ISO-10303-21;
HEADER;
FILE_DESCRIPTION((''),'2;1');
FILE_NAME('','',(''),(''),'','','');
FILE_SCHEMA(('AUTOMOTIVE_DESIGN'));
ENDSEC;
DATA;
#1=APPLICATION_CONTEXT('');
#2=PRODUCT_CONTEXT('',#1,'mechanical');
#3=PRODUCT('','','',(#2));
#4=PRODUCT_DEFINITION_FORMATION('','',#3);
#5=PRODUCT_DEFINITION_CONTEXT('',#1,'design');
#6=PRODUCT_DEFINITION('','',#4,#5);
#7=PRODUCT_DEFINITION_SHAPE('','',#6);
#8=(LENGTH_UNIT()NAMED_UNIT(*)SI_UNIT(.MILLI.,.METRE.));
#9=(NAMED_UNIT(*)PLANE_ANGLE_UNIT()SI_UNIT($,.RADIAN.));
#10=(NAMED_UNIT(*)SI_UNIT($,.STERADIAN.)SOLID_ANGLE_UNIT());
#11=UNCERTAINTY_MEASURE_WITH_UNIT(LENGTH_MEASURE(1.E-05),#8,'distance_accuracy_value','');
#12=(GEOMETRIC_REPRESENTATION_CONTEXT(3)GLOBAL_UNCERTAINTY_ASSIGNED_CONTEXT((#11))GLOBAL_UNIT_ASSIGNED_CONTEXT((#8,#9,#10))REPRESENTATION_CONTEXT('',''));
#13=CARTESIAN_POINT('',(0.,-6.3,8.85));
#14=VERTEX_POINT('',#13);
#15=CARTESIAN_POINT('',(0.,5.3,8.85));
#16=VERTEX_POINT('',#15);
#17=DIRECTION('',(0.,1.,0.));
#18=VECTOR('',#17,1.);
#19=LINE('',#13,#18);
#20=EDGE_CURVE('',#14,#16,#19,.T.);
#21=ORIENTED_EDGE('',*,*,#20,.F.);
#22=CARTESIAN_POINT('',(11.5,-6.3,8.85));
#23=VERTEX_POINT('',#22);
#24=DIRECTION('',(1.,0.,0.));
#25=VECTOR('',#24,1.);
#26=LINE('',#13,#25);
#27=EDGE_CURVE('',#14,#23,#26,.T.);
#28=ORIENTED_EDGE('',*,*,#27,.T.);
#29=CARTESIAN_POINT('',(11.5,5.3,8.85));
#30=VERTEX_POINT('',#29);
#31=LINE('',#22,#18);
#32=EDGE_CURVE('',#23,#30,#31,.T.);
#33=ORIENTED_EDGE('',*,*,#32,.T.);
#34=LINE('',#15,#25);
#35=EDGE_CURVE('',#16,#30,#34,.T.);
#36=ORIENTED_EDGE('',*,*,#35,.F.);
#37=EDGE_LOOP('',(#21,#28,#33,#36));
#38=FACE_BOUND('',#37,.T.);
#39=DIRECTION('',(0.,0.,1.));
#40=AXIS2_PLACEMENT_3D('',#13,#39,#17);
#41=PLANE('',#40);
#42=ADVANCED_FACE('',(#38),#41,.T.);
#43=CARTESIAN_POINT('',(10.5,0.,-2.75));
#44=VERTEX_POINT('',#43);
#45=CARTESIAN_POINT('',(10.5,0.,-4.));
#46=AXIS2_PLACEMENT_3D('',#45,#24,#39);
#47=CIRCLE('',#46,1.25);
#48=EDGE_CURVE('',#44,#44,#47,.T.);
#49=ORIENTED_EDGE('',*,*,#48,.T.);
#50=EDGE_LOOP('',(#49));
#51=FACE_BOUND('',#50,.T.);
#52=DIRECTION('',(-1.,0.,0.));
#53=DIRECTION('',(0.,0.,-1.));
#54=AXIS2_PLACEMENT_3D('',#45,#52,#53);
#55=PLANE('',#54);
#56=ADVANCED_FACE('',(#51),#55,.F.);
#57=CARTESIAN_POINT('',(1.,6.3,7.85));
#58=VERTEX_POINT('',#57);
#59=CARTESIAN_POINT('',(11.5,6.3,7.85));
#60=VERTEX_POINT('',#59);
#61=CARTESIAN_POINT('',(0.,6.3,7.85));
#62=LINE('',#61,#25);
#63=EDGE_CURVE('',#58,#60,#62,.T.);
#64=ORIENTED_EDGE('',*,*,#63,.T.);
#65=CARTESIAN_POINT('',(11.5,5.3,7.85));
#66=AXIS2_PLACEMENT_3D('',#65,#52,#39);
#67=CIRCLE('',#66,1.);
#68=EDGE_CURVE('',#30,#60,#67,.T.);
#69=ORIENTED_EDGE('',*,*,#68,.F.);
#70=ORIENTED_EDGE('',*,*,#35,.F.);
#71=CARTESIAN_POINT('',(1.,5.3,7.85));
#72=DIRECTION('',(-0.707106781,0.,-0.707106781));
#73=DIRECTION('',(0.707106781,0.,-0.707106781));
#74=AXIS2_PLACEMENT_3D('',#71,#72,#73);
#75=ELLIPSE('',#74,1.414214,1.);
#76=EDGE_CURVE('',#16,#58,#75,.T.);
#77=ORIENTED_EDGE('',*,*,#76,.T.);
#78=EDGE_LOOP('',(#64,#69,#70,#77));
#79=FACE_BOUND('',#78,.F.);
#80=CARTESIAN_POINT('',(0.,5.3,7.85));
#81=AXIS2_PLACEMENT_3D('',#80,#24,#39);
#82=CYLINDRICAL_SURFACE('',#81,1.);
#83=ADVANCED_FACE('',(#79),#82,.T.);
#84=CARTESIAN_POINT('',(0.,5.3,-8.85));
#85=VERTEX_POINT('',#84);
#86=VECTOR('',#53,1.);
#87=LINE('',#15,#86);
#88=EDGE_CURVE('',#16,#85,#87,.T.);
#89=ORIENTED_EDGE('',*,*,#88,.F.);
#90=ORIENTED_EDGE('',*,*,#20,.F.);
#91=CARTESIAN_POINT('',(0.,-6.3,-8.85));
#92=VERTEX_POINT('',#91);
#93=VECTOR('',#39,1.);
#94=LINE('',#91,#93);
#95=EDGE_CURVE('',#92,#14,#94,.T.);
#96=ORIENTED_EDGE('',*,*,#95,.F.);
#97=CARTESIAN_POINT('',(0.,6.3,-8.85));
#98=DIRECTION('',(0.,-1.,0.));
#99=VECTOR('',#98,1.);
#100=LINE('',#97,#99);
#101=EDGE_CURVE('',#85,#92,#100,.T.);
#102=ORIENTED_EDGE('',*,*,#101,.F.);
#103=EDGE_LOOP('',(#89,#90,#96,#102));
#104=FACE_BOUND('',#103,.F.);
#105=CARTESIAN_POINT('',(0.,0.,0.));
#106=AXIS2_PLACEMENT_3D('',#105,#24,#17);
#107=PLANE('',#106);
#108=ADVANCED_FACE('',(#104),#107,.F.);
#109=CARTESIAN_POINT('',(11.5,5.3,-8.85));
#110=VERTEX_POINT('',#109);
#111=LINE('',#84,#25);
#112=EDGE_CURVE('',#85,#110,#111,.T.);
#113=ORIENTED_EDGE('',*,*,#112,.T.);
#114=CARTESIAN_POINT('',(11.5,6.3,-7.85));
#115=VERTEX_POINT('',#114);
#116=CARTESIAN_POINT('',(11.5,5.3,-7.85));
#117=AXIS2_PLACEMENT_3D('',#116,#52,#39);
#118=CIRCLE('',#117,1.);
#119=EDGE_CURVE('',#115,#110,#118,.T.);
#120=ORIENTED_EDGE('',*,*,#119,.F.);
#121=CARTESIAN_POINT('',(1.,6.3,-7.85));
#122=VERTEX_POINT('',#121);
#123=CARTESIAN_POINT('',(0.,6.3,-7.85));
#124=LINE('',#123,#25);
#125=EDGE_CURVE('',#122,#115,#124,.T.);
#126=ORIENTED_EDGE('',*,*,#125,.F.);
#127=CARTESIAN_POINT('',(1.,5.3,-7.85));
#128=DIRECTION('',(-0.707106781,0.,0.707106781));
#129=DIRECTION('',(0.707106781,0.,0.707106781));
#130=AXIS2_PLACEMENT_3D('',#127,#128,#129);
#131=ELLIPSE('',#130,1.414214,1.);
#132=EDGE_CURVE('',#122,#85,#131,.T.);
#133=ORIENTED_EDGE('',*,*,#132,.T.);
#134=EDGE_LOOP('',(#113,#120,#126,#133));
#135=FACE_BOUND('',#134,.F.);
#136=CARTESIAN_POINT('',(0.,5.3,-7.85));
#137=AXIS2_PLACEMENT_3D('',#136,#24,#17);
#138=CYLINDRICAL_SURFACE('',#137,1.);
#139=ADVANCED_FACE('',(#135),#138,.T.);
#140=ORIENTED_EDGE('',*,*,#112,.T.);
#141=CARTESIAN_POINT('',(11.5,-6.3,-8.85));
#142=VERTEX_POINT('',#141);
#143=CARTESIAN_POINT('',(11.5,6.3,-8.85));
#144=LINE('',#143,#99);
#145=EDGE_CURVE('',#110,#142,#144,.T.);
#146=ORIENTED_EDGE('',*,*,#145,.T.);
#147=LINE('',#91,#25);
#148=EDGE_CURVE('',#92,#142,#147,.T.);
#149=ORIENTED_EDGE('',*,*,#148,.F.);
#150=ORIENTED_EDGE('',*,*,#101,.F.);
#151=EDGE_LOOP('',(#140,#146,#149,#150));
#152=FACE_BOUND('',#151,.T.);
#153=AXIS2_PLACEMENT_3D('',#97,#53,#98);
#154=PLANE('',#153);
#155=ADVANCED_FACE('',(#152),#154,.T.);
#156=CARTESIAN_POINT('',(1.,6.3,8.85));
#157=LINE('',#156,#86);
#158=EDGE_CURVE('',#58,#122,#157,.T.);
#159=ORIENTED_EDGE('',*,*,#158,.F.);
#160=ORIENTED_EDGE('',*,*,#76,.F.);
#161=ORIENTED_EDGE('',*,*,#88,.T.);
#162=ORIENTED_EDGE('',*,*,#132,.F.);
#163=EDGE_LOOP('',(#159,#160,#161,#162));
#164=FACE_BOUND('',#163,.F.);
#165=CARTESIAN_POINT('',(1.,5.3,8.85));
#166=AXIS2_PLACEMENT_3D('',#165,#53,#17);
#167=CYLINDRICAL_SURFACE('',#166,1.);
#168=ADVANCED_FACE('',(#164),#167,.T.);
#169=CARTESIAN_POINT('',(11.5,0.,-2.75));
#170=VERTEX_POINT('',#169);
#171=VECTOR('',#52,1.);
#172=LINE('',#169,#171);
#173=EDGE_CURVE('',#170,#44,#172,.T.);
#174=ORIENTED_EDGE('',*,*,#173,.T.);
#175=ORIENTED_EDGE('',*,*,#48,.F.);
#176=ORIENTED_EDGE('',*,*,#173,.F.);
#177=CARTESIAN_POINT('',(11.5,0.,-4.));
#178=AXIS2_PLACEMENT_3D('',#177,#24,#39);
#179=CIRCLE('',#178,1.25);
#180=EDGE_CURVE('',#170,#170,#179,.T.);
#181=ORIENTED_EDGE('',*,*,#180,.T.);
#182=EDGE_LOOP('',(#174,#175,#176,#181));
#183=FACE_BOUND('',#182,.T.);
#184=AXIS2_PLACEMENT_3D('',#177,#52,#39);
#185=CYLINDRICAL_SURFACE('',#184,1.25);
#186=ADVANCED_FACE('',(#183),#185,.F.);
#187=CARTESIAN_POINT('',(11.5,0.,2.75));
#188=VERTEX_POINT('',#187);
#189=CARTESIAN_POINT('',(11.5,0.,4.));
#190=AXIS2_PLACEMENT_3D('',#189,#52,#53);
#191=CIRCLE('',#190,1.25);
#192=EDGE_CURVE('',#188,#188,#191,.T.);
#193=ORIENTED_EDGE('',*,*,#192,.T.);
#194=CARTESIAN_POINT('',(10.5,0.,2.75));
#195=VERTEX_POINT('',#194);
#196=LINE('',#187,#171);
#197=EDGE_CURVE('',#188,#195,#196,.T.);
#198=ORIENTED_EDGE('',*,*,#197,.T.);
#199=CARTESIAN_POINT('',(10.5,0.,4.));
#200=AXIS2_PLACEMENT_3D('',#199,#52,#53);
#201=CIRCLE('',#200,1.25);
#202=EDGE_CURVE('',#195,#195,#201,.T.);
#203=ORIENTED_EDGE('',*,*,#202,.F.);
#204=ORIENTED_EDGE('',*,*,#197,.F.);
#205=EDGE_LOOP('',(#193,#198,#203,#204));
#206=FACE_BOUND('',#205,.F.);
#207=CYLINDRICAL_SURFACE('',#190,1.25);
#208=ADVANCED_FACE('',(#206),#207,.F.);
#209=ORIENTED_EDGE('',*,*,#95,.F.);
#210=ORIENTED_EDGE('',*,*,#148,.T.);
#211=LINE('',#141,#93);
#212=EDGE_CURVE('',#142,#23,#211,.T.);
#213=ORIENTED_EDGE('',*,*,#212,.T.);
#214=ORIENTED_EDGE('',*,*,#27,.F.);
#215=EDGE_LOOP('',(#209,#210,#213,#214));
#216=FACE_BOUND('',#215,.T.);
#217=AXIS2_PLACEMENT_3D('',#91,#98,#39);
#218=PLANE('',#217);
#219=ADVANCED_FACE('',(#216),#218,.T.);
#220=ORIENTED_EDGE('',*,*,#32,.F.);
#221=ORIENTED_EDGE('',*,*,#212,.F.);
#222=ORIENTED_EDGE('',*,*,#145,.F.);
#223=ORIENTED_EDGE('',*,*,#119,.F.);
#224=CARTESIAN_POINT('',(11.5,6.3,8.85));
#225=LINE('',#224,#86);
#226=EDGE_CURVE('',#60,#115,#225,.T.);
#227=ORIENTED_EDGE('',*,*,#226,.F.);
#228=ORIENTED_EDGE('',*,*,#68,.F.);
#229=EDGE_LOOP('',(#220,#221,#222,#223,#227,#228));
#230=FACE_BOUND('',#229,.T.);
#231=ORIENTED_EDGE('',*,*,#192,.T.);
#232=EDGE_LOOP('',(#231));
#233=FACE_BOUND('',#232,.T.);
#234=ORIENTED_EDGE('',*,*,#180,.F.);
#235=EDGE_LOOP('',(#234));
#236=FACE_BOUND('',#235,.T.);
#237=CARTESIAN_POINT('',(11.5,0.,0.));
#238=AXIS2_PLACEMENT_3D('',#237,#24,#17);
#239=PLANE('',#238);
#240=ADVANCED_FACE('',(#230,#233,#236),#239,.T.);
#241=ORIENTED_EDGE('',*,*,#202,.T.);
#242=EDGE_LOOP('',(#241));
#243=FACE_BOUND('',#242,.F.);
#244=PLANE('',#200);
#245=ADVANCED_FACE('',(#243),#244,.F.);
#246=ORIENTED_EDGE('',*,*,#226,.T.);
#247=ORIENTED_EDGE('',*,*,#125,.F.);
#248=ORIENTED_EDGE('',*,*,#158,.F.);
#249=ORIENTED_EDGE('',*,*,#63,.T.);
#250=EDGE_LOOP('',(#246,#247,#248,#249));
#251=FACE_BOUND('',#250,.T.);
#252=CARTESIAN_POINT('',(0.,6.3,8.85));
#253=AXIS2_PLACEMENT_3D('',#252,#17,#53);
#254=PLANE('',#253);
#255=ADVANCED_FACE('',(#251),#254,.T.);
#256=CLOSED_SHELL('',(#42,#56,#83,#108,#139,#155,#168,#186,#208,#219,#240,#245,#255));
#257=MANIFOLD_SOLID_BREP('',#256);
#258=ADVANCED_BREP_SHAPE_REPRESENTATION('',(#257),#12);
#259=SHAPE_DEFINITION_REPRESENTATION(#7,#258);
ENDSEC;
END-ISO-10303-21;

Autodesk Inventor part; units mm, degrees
ref_plane "YZ Plane" through (0, 0, 0) normal (1, 0, 0) x (0, 1, 0)
ref_plane "XZ Plane" through (0, 0, 0) normal (0, 1, 0) x (-1, 0, 0)
sketch "Sketch2" plane through (0, 0, 0) normal (1, 0, 0) x (0, 1, 0)
  line L0 (-6.3, 8.85) -> (6.3, 8.85)
  line L1 (6.3, 8.85) -> (6.3, -8.85)
  line L2 (6.3, -8.85) -> (-6.3, -8.85)
  line L3 (-6.3, -8.85) -> (-6.3, 8.85)
  line L4 (-6.3, 8.85) -> (6.3, -8.85) construction
  line L5 (6.3, 8.85) -> (-6.3, -8.85) construction
  point P0 (0, 0)
  dimension "d0" = 17.7
  dimension "d1" = 12.6
extrude "Extrusion1" add sketch "Sketch2" along normal blind 11.5
fillet "Fillet1" radius 1 3 edges at (5.75, 6.3, 8.85) (5.75, 6.3, -8.85) (0, 6.3, 0)
ref_plane "Work Plane1" through (0, -6.3, 0) normal (0, 0, 1) x (1, 0, 0)
sketch "Sketch3" plane through (11.5, 0, 0) normal (1, 0, 0) x (0, 0, -1)
  circle A0 centre (-4, 0) radius 1.25
  point P0 (0, 0)
  dimension "d5" = 2.5
  dimension "d6" = 4
hole "Hole1" at (11.5, 0, 4) direction (-1, 0, 0) diameter 2.5 depth 1
mirror "Mirror1" about plane through (0, -6.3, 0) normal (0, 0, 1) of "Hole1"
properties part number "IR sensor" material "ABS Plastic"
